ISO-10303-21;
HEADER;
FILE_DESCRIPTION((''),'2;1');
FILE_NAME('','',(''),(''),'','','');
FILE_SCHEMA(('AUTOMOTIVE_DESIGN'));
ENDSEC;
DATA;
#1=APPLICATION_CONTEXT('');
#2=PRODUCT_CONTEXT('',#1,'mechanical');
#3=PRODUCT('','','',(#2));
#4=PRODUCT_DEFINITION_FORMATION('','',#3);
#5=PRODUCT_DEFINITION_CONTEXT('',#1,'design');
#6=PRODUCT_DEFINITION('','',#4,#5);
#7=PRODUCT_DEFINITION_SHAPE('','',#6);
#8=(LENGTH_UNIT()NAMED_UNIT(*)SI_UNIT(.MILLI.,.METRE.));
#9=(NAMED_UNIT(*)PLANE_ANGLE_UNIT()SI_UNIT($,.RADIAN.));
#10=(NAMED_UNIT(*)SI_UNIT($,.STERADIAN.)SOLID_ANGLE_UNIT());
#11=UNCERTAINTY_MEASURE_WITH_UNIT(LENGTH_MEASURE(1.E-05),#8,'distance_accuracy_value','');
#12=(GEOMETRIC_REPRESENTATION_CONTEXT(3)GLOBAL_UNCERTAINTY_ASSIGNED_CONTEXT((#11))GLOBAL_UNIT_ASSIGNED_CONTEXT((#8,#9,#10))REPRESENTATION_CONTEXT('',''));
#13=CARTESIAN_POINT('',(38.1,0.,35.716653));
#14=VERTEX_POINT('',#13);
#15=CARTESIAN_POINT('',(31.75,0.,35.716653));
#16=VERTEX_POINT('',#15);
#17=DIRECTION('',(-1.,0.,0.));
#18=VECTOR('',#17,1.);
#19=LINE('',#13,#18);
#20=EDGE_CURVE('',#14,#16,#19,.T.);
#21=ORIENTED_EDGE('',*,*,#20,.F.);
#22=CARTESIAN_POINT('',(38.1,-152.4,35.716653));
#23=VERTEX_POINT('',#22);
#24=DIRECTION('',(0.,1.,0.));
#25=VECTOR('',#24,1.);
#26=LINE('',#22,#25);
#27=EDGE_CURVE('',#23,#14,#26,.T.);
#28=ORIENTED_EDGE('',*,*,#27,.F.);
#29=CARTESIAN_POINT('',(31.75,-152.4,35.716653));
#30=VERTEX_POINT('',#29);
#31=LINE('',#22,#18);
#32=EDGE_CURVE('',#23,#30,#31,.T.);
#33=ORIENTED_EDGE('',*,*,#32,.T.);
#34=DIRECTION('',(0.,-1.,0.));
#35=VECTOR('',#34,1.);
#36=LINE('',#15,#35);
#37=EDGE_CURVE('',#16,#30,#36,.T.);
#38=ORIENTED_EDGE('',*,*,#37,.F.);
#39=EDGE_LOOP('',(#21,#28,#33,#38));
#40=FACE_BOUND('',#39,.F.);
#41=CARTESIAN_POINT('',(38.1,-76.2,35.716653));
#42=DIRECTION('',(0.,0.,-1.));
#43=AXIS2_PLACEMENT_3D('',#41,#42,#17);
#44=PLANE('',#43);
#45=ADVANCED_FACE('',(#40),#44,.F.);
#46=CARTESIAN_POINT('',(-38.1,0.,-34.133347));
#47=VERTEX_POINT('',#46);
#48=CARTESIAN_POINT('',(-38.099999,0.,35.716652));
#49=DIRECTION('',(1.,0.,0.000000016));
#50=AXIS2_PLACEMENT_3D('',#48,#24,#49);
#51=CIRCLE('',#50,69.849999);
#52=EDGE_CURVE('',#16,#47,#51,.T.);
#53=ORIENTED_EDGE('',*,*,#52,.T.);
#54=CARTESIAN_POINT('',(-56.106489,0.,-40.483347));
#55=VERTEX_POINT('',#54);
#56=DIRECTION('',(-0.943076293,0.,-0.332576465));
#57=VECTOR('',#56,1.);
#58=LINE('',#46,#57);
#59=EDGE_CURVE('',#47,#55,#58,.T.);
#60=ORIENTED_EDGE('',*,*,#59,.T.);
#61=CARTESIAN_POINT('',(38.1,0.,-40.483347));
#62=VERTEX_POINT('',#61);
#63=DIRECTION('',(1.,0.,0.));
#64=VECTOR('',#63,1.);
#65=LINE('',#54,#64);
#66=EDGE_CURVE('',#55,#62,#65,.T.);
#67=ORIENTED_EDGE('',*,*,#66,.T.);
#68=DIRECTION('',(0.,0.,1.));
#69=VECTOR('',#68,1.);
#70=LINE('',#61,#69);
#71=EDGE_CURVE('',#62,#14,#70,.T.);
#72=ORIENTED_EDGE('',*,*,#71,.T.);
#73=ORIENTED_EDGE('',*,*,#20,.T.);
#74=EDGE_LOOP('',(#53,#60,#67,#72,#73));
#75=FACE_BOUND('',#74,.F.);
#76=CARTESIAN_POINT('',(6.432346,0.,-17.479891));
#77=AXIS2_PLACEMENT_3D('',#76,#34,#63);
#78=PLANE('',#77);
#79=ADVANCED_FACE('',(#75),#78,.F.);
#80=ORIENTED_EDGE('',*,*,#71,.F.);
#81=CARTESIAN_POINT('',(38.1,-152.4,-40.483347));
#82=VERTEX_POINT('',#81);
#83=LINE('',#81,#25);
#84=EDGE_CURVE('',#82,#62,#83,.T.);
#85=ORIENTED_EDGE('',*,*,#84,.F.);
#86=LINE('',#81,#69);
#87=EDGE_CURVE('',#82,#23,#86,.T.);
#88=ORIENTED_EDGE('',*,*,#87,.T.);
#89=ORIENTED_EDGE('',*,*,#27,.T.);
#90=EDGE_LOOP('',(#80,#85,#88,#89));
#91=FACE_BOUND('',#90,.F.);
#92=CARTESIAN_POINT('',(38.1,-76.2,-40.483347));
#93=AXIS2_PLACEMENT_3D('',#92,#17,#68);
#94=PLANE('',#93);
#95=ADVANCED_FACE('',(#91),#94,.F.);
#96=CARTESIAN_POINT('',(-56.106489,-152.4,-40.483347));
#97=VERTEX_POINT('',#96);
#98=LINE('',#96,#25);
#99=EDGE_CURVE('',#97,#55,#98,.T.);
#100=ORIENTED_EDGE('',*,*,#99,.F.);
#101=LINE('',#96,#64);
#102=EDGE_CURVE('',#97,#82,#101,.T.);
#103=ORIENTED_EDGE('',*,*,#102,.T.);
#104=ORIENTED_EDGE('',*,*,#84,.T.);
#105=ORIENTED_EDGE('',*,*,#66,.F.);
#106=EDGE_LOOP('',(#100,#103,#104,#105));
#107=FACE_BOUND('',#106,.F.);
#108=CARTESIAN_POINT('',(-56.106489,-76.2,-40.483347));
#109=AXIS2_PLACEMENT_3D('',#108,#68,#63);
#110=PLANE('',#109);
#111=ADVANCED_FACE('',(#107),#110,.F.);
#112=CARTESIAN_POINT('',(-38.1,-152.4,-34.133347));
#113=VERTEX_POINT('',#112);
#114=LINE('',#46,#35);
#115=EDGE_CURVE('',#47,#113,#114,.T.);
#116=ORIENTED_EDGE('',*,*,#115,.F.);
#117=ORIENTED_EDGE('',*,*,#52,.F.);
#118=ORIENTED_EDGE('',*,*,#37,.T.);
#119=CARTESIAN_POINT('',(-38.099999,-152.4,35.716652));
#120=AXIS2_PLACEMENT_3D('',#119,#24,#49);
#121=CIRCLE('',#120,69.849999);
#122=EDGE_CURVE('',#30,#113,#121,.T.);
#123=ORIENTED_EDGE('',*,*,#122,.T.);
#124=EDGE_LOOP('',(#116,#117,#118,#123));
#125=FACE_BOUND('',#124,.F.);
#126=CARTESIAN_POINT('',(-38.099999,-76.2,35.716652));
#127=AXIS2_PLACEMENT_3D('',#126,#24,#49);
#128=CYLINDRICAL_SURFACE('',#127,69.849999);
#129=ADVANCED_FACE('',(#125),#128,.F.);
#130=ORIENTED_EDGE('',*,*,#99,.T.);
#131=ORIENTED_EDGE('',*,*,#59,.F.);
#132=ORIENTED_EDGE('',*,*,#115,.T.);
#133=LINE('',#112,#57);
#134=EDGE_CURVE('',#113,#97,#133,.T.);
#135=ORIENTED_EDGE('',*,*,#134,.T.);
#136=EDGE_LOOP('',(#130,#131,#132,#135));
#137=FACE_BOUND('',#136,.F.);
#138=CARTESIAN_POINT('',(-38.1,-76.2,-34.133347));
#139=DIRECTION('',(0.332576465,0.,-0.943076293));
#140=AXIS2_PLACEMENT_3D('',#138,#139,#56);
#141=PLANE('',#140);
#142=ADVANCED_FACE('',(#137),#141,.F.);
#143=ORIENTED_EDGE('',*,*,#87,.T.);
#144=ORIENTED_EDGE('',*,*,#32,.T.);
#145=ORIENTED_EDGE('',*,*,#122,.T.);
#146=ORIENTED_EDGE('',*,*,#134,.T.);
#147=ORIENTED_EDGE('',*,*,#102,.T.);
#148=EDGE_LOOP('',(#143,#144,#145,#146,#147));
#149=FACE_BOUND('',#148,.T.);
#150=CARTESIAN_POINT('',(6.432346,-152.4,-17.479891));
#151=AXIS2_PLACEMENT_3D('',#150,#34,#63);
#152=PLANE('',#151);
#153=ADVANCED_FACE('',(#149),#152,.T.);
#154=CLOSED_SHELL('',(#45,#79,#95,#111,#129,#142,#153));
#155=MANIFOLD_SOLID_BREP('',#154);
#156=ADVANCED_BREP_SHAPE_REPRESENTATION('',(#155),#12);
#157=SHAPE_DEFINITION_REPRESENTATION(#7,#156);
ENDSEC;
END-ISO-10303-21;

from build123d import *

# Parameters (mm, degrees)
F1_DEPTH = 76.2
F2_DEPTH = 76.2


with BuildPart() as f1:
    # F0 (on Front) → F1 (new body)
    with BuildSketch(Plane.XZ):
        with BuildLine():
            Line((38.1, 35.716653), (31.75, 35.716653))
            ThreePointArc((31.75, 35.716653), (11.291409, -13.674756), (-38.1, -34.133347))
            Line((-38.1, -34.133347), (-56.106489, -40.483347))
            Line((-56.106489, -40.483347), (-38.1, -40.483347))
            Line((-38.1, -40.483347), (38.1, -40.483347))
            Line((38.1, -40.483347), (38.1, 35.716653))
        make_face()
    extrude(amount=F1_DEPTH)

    # F1_face (on face) → F2 (join)
    with BuildSketch(Plane(origin=(14.70589, -76.2, -19.342858), x_dir=(1, 0, 0), z_dir=(0, -1, 0))):
        with BuildLine():
            Line((23.39411, 55.059511), (17.04411, 55.059511))
            ThreePointArc((17.04411, 55.059511), (-3.414481, 5.668102), (-52.80589, -14.790489))
            Line((-52.80589, -14.790489), (-70.812379, -21.140489))
            Line((-70.812379, -21.140489), (23.39411, -21.140489))
            Line((23.39411, -21.140489), (23.39411, 55.059511))
        make_face()
    extrude(amount=F2_DEPTH)


solid = f1.part
